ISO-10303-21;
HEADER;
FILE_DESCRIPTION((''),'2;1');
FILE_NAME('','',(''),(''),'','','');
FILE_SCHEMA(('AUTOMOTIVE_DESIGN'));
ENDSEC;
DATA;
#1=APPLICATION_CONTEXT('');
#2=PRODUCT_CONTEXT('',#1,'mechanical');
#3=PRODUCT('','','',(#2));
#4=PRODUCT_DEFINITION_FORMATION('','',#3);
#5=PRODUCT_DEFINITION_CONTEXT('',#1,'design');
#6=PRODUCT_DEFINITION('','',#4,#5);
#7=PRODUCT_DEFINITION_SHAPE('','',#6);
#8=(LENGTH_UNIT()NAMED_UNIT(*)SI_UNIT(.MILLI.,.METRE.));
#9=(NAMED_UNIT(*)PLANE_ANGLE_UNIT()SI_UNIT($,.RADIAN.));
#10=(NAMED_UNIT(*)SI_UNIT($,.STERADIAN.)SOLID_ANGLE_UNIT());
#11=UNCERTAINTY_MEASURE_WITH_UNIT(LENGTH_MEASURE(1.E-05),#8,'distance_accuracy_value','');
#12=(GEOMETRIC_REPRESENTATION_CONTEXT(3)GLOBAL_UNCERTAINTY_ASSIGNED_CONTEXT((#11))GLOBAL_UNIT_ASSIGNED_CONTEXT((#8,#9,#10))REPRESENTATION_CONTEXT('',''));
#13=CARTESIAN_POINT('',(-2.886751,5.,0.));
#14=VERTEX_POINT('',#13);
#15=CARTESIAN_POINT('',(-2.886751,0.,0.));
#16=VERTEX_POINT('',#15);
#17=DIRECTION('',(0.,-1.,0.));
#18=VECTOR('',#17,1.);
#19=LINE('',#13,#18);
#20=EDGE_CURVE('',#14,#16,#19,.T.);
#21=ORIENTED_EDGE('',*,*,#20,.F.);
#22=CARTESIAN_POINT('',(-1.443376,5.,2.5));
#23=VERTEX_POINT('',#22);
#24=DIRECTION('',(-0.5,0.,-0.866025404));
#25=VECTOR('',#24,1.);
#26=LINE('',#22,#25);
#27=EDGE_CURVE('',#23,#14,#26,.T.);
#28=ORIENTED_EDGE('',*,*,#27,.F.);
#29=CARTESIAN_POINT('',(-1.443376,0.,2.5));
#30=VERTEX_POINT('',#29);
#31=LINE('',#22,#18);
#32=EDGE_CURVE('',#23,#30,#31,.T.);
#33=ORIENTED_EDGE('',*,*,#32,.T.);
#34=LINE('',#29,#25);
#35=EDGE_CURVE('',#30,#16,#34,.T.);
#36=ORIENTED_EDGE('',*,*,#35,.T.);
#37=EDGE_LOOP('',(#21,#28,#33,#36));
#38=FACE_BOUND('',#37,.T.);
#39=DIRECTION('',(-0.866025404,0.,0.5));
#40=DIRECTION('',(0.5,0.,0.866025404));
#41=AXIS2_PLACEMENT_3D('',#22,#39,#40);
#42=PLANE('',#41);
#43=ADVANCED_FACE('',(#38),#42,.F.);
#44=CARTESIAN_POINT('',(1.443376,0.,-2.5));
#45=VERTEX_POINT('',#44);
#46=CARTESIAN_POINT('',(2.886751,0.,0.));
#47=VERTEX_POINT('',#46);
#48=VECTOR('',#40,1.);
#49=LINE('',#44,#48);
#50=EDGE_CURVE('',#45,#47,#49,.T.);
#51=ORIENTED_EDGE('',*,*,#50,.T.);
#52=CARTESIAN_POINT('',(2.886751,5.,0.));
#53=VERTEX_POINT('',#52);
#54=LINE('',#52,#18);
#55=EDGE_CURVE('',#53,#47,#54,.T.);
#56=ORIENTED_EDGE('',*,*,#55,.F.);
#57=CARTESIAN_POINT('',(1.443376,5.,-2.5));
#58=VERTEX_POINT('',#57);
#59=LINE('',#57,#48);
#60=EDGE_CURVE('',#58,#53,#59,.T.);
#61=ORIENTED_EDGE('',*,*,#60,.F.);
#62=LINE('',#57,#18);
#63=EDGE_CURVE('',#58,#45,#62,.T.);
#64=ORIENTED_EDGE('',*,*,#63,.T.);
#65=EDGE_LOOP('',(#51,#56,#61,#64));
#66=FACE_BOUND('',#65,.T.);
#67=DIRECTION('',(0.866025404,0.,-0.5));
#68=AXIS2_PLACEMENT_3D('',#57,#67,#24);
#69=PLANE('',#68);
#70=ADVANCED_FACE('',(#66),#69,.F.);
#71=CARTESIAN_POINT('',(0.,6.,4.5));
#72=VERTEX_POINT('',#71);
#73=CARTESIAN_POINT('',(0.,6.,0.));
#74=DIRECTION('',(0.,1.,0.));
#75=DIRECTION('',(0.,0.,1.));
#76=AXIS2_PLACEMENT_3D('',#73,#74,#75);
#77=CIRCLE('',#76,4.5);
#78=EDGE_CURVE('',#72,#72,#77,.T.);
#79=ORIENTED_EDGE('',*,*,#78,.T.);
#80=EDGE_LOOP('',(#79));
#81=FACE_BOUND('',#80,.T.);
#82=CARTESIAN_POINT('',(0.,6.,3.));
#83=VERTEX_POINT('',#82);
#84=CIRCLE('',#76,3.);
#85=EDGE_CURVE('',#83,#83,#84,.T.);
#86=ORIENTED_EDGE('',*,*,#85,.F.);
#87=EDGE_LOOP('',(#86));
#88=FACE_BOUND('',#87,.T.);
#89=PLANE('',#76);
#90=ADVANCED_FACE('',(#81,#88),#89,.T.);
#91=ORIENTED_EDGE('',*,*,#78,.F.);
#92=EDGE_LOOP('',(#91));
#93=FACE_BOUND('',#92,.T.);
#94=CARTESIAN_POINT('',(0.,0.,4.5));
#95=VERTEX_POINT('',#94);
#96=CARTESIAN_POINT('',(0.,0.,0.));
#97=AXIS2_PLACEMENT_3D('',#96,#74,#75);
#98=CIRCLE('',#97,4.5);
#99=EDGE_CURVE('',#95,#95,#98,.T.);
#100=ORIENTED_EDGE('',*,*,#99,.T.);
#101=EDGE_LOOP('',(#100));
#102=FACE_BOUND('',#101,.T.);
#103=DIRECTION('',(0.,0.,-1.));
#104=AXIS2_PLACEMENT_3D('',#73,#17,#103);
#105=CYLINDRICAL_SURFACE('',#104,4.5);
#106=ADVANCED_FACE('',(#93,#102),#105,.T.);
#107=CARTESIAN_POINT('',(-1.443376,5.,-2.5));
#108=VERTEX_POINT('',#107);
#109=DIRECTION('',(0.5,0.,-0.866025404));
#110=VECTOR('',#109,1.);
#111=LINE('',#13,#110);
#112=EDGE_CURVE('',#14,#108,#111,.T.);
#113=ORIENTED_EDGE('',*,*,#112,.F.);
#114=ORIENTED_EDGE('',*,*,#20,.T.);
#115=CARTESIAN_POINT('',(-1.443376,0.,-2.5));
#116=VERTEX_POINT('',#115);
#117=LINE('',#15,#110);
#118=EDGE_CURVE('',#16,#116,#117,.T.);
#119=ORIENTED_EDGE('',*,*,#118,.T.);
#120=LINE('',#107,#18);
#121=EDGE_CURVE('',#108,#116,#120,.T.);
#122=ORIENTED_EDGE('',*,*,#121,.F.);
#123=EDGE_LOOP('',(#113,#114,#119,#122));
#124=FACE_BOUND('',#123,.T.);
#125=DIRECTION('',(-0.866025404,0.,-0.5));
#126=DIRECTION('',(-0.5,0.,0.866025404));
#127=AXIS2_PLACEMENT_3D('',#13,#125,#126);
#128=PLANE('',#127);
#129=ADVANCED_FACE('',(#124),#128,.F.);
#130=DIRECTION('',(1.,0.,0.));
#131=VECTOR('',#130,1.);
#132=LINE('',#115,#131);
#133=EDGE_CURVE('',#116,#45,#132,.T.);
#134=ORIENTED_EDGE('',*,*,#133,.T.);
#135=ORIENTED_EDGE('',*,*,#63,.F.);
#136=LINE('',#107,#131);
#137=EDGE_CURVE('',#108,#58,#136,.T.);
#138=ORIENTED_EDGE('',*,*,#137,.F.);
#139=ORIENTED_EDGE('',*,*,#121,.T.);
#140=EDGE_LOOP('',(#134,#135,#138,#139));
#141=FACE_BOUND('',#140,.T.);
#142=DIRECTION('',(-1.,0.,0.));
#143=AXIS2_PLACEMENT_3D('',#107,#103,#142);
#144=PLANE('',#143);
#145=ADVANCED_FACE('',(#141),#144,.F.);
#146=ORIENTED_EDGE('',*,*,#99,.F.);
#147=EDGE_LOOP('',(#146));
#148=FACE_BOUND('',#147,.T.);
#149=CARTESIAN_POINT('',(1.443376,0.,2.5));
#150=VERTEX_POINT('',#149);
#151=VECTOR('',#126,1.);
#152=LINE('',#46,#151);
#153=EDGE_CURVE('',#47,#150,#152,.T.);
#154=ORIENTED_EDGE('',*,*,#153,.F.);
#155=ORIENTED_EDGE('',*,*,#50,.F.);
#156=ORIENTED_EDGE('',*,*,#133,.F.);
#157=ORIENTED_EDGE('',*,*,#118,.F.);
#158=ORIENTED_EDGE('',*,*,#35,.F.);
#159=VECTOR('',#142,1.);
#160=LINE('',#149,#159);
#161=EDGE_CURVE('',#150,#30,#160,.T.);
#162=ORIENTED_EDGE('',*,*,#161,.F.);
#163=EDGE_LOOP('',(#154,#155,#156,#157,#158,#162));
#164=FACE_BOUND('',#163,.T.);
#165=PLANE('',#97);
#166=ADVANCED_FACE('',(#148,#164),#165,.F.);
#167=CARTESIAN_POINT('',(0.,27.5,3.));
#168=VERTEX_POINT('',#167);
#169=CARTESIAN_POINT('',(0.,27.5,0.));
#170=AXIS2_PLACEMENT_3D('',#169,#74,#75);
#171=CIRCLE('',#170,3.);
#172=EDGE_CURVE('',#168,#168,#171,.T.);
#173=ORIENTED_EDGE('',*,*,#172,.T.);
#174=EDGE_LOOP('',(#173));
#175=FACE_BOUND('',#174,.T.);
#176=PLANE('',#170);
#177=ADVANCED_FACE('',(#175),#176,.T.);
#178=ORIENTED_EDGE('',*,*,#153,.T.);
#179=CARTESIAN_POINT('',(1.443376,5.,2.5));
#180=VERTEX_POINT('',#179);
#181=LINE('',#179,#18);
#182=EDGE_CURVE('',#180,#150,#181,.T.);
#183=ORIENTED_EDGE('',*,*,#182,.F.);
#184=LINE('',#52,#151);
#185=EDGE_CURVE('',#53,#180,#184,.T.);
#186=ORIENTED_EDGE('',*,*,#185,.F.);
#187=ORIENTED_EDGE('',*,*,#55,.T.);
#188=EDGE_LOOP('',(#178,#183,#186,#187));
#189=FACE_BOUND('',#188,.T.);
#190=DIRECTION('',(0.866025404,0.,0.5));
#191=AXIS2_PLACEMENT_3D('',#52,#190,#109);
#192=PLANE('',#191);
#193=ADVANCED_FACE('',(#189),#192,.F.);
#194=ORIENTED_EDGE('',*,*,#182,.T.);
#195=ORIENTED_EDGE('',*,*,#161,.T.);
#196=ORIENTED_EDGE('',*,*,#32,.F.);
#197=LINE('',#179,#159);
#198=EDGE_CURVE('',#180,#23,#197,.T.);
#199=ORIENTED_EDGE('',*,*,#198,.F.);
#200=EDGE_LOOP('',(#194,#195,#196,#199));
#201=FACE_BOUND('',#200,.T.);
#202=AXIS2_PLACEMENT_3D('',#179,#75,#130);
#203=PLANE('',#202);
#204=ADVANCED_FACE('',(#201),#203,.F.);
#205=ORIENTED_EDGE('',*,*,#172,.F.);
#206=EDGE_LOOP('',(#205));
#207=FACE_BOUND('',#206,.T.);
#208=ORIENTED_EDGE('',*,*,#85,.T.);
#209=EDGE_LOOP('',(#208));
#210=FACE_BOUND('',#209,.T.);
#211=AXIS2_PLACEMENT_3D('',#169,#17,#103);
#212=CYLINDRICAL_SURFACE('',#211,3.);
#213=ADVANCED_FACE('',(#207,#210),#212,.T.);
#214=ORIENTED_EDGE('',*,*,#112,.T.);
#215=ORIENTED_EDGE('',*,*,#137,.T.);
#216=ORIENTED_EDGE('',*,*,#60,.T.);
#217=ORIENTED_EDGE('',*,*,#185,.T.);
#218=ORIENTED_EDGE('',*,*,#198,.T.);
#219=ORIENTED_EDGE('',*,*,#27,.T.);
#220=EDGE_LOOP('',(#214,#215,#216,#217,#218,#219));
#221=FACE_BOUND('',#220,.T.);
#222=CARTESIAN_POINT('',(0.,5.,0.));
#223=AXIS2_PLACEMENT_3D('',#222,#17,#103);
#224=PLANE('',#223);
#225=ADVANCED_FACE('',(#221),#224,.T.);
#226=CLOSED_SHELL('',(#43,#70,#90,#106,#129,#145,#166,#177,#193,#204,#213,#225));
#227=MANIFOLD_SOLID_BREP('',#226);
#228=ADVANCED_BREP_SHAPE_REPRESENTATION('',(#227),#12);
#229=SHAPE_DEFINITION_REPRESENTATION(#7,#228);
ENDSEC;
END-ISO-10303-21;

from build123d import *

# Parameters (mm, degrees)
CROQUIS1_R              = 4.5
SALIENTE_EXTRUIR1_DEPTH = 6
CROQUIS2_R              = 3
SALIENTE_EXTRUIR2_DEPTH = 21.5
CORTAR_EXTRUIR1_DEPTH   = 5


with BuildPart() as part:
    # Croquis1 → Saliente-Extruir1 (new body)
    with BuildSketch(Plane(origin=(0, 0, 0), x_dir=(1, 0, 0), z_dir=(0, 1, 0))):
        Circle(CROQUIS1_R)
    extrude(amount=SALIENTE_EXTRUIR1_DEPTH)

    # Croquis2 → Saliente-Extruir2 (add)
    with BuildSketch(Plane(origin=(0, 6, 0), x_dir=(1, 0, 0), z_dir=(0, 1, 0))):
        Circle(CROQUIS2_R)
    extrude(amount=SALIENTE_EXTRUIR2_DEPTH)

    # Croquis3 → Cortar-Extruir1 (cut)
    with BuildSketch(Plane.XZ):
        Polygon((2.886751346, 0), (1.443375673, 2.5), (-1.443375673, 2.5), (-2.886751346, 0), (-1.443375673, -2.5), (1.443375673, -2.5), align=None)
    extrude(amount=-CORTAR_EXTRUIR1_DEPTH, mode=Mode.SUBTRACT)


solid = part.part
